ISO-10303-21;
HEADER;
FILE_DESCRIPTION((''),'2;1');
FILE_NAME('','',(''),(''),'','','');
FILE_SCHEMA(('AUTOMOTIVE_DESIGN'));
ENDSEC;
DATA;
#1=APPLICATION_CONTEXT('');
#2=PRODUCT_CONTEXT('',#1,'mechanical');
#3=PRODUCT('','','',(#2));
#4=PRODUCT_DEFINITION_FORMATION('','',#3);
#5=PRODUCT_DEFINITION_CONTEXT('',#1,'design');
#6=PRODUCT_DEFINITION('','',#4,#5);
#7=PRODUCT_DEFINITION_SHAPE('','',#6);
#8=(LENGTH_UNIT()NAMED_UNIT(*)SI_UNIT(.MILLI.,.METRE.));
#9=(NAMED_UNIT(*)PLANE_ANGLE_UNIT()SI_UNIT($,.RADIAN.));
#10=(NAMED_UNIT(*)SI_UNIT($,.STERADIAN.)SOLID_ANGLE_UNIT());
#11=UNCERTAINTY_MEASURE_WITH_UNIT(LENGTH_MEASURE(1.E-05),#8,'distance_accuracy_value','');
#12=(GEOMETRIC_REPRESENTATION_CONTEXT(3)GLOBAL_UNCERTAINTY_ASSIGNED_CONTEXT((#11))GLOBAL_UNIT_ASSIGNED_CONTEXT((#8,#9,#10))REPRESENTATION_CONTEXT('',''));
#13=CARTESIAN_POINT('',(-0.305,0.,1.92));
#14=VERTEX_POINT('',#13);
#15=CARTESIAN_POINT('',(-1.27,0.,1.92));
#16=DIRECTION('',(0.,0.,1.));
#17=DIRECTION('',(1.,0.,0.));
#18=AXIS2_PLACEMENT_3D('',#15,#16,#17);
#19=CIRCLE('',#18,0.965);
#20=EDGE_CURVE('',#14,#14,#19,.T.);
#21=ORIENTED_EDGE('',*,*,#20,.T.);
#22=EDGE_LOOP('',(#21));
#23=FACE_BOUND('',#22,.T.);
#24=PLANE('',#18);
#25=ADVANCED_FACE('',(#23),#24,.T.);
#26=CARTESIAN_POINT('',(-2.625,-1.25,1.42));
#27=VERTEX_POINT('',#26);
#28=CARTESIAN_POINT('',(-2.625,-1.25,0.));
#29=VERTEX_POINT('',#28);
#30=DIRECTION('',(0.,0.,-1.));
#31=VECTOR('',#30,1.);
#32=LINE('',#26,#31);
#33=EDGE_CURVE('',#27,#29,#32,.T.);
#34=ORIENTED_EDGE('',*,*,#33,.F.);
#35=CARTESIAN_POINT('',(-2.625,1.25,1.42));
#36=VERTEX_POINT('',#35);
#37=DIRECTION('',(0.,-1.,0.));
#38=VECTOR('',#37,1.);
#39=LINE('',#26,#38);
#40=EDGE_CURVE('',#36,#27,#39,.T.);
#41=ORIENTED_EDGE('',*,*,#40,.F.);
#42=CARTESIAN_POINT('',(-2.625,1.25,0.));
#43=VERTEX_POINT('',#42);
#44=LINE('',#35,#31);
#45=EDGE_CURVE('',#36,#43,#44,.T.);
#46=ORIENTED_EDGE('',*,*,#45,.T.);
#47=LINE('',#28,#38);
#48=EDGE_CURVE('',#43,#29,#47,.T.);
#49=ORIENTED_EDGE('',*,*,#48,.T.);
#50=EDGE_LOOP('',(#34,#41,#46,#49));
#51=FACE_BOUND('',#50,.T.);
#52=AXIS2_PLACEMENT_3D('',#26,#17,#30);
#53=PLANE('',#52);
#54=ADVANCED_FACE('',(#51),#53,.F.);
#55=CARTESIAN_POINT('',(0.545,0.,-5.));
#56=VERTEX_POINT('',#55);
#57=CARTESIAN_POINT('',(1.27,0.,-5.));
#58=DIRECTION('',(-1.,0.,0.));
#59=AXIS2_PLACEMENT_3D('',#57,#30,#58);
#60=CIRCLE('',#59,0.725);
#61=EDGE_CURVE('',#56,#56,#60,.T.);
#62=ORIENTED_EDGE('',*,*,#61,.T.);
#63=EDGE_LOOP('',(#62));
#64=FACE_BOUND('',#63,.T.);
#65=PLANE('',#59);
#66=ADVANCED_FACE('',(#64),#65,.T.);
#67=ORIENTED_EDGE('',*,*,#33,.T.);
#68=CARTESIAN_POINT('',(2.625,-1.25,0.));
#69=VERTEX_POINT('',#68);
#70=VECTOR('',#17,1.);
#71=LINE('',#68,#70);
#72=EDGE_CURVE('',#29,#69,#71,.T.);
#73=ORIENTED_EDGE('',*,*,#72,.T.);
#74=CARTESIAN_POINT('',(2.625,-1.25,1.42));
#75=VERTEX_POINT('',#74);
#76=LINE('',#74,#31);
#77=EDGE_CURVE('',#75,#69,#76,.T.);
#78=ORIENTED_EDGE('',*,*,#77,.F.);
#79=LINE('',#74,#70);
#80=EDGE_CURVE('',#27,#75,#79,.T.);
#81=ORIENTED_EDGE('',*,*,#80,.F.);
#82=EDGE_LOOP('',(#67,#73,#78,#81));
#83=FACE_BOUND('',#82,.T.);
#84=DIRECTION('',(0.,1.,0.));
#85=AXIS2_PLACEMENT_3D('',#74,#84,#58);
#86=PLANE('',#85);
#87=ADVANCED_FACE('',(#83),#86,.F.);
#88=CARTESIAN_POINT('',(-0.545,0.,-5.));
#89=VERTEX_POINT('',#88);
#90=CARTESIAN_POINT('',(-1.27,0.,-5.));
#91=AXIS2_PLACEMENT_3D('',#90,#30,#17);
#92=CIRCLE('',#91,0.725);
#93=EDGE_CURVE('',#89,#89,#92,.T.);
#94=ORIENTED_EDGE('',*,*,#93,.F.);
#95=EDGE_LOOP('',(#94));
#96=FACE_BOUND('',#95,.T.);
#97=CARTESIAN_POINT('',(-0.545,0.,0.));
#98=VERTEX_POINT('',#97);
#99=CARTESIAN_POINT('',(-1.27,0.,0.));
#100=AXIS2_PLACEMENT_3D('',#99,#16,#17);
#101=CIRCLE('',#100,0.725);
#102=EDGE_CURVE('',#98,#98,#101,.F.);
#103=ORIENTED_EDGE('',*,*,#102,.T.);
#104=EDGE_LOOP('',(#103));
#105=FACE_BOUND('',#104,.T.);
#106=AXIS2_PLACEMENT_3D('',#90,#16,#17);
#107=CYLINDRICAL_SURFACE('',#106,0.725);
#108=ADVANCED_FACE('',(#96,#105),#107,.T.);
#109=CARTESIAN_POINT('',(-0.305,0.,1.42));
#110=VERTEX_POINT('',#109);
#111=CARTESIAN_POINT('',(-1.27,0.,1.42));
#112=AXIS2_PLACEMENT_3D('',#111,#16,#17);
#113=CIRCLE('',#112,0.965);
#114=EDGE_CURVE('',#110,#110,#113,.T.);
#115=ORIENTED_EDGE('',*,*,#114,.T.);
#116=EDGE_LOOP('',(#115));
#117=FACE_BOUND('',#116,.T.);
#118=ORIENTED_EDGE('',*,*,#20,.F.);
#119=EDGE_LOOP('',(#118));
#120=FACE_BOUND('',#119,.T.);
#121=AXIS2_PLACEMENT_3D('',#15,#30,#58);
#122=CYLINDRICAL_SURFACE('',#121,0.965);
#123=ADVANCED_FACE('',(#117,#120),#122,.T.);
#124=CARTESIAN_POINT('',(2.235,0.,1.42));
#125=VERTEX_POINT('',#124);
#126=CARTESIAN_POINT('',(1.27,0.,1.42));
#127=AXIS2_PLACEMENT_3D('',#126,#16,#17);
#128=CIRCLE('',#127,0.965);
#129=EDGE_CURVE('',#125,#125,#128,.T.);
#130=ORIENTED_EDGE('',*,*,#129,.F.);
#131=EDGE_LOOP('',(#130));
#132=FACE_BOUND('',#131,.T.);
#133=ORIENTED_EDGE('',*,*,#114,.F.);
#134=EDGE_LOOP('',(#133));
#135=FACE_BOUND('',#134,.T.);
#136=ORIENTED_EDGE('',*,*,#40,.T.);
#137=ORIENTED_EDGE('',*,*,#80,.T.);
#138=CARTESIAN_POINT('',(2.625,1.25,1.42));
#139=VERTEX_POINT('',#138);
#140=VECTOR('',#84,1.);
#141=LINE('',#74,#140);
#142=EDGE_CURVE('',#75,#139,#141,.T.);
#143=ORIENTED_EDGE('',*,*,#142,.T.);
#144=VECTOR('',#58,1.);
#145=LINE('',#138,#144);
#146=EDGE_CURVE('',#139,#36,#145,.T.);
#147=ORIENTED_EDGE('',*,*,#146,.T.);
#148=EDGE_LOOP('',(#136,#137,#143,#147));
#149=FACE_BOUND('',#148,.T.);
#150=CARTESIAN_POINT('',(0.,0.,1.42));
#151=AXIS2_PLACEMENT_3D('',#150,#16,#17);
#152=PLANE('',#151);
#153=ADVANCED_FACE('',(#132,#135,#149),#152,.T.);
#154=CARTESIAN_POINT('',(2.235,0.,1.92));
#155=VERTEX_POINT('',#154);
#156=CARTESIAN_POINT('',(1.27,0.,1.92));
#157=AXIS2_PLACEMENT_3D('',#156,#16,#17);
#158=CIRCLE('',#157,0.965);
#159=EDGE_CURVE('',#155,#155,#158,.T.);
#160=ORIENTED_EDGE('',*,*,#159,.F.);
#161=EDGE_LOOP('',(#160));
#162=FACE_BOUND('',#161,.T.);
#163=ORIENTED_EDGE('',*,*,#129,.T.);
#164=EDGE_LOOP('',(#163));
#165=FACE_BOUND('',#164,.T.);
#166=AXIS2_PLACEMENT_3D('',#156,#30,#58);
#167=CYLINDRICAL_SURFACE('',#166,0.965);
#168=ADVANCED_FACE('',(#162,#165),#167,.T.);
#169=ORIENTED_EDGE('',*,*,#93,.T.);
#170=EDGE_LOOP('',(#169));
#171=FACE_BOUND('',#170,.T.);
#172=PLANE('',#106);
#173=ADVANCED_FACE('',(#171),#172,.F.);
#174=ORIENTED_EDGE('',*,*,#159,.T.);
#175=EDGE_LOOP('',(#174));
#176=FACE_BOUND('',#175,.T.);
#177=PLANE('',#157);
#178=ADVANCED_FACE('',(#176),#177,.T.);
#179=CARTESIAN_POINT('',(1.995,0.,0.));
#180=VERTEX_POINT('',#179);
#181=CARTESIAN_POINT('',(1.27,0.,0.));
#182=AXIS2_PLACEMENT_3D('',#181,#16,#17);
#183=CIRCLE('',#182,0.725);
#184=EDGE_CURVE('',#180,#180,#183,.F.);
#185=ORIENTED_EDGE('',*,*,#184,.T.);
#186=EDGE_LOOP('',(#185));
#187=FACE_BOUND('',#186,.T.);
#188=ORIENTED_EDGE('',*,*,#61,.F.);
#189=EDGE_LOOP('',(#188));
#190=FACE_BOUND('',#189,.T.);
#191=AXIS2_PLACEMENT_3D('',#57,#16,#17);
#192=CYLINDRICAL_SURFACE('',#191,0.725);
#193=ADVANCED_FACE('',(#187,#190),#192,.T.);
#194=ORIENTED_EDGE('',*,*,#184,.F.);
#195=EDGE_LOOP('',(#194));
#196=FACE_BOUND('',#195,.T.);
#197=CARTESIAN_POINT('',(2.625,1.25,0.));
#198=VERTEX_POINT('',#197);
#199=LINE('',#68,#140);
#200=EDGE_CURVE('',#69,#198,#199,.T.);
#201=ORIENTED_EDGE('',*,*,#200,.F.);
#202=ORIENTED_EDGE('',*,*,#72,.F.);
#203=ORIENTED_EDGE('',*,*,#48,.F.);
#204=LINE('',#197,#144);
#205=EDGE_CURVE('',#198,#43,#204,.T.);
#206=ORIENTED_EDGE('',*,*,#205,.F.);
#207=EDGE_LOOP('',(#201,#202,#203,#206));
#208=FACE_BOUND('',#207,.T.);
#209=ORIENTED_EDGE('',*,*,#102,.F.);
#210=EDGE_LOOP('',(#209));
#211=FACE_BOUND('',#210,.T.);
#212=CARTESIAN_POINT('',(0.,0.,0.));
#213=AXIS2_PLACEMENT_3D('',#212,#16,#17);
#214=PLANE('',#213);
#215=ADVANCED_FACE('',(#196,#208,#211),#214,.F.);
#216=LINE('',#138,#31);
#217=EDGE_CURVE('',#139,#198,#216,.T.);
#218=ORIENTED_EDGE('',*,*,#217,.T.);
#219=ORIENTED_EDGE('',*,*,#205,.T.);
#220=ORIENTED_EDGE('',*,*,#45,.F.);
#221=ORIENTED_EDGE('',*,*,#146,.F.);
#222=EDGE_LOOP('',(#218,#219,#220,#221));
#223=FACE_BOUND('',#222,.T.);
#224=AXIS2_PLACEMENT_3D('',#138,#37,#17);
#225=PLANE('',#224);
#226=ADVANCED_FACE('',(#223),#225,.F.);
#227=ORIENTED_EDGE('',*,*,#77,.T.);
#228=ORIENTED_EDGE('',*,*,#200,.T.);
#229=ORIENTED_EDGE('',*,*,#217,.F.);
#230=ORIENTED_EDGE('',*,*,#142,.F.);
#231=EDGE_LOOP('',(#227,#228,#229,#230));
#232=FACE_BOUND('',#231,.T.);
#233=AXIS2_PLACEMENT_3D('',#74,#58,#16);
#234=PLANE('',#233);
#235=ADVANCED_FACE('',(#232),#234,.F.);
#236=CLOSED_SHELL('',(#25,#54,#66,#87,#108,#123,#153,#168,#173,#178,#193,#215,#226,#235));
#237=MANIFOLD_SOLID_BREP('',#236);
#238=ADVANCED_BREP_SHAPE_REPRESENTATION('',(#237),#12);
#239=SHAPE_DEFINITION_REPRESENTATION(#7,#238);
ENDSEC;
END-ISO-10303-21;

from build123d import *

# Parameters (mm, degrees)
SKETCH_1_W      = 5.25
SKETCH_1_H      = 2.5
EXTRUDE_1_DEPTH = 1.42
SKETCH_2_R      = 0.725
EXTRUDE_2_DEPTH = 5
SKETCH_3_R      = 0.965
EXTRUDE_3_DEPTH = 0.5


with BuildPart() as part:
    # ｽｹｯﾁ1 → ﾎﾞｽ - 押し出し1 (new body)
    with BuildSketch(Plane.XY):
        Rectangle(SKETCH_1_W, SKETCH_1_H)
    extrude(amount=EXTRUDE_1_DEPTH)

    # ｽｹｯﾁ2 → ﾎﾞｽ - 押し出し2 (add)
    with BuildSketch(Plane(origin=(0, 0, 0), x_dir=(-1, 0, 0), z_dir=(0, 0, -1))):
        with Locations(Location((-1.27, 0, 0), (0, 0, 180))):
            Circle(SKETCH_2_R)
        with Locations(Location((1.27, 0, 0), (0, 0, 180))):
            Circle(SKETCH_2_R)
    extrude(amount=EXTRUDE_2_DEPTH)

    # ｽｹｯﾁ3 → ﾎﾞｽ - 押し出し3 (add)
    with BuildSketch(Plane.XY.offset(1.42)):
        with Locations((-1.27, 0)):
            Circle(SKETCH_3_R)
        with Locations((1.27, 0)):
            Circle(SKETCH_3_R)
    extrude(amount=EXTRUDE_3_DEPTH)


solid = part.part
